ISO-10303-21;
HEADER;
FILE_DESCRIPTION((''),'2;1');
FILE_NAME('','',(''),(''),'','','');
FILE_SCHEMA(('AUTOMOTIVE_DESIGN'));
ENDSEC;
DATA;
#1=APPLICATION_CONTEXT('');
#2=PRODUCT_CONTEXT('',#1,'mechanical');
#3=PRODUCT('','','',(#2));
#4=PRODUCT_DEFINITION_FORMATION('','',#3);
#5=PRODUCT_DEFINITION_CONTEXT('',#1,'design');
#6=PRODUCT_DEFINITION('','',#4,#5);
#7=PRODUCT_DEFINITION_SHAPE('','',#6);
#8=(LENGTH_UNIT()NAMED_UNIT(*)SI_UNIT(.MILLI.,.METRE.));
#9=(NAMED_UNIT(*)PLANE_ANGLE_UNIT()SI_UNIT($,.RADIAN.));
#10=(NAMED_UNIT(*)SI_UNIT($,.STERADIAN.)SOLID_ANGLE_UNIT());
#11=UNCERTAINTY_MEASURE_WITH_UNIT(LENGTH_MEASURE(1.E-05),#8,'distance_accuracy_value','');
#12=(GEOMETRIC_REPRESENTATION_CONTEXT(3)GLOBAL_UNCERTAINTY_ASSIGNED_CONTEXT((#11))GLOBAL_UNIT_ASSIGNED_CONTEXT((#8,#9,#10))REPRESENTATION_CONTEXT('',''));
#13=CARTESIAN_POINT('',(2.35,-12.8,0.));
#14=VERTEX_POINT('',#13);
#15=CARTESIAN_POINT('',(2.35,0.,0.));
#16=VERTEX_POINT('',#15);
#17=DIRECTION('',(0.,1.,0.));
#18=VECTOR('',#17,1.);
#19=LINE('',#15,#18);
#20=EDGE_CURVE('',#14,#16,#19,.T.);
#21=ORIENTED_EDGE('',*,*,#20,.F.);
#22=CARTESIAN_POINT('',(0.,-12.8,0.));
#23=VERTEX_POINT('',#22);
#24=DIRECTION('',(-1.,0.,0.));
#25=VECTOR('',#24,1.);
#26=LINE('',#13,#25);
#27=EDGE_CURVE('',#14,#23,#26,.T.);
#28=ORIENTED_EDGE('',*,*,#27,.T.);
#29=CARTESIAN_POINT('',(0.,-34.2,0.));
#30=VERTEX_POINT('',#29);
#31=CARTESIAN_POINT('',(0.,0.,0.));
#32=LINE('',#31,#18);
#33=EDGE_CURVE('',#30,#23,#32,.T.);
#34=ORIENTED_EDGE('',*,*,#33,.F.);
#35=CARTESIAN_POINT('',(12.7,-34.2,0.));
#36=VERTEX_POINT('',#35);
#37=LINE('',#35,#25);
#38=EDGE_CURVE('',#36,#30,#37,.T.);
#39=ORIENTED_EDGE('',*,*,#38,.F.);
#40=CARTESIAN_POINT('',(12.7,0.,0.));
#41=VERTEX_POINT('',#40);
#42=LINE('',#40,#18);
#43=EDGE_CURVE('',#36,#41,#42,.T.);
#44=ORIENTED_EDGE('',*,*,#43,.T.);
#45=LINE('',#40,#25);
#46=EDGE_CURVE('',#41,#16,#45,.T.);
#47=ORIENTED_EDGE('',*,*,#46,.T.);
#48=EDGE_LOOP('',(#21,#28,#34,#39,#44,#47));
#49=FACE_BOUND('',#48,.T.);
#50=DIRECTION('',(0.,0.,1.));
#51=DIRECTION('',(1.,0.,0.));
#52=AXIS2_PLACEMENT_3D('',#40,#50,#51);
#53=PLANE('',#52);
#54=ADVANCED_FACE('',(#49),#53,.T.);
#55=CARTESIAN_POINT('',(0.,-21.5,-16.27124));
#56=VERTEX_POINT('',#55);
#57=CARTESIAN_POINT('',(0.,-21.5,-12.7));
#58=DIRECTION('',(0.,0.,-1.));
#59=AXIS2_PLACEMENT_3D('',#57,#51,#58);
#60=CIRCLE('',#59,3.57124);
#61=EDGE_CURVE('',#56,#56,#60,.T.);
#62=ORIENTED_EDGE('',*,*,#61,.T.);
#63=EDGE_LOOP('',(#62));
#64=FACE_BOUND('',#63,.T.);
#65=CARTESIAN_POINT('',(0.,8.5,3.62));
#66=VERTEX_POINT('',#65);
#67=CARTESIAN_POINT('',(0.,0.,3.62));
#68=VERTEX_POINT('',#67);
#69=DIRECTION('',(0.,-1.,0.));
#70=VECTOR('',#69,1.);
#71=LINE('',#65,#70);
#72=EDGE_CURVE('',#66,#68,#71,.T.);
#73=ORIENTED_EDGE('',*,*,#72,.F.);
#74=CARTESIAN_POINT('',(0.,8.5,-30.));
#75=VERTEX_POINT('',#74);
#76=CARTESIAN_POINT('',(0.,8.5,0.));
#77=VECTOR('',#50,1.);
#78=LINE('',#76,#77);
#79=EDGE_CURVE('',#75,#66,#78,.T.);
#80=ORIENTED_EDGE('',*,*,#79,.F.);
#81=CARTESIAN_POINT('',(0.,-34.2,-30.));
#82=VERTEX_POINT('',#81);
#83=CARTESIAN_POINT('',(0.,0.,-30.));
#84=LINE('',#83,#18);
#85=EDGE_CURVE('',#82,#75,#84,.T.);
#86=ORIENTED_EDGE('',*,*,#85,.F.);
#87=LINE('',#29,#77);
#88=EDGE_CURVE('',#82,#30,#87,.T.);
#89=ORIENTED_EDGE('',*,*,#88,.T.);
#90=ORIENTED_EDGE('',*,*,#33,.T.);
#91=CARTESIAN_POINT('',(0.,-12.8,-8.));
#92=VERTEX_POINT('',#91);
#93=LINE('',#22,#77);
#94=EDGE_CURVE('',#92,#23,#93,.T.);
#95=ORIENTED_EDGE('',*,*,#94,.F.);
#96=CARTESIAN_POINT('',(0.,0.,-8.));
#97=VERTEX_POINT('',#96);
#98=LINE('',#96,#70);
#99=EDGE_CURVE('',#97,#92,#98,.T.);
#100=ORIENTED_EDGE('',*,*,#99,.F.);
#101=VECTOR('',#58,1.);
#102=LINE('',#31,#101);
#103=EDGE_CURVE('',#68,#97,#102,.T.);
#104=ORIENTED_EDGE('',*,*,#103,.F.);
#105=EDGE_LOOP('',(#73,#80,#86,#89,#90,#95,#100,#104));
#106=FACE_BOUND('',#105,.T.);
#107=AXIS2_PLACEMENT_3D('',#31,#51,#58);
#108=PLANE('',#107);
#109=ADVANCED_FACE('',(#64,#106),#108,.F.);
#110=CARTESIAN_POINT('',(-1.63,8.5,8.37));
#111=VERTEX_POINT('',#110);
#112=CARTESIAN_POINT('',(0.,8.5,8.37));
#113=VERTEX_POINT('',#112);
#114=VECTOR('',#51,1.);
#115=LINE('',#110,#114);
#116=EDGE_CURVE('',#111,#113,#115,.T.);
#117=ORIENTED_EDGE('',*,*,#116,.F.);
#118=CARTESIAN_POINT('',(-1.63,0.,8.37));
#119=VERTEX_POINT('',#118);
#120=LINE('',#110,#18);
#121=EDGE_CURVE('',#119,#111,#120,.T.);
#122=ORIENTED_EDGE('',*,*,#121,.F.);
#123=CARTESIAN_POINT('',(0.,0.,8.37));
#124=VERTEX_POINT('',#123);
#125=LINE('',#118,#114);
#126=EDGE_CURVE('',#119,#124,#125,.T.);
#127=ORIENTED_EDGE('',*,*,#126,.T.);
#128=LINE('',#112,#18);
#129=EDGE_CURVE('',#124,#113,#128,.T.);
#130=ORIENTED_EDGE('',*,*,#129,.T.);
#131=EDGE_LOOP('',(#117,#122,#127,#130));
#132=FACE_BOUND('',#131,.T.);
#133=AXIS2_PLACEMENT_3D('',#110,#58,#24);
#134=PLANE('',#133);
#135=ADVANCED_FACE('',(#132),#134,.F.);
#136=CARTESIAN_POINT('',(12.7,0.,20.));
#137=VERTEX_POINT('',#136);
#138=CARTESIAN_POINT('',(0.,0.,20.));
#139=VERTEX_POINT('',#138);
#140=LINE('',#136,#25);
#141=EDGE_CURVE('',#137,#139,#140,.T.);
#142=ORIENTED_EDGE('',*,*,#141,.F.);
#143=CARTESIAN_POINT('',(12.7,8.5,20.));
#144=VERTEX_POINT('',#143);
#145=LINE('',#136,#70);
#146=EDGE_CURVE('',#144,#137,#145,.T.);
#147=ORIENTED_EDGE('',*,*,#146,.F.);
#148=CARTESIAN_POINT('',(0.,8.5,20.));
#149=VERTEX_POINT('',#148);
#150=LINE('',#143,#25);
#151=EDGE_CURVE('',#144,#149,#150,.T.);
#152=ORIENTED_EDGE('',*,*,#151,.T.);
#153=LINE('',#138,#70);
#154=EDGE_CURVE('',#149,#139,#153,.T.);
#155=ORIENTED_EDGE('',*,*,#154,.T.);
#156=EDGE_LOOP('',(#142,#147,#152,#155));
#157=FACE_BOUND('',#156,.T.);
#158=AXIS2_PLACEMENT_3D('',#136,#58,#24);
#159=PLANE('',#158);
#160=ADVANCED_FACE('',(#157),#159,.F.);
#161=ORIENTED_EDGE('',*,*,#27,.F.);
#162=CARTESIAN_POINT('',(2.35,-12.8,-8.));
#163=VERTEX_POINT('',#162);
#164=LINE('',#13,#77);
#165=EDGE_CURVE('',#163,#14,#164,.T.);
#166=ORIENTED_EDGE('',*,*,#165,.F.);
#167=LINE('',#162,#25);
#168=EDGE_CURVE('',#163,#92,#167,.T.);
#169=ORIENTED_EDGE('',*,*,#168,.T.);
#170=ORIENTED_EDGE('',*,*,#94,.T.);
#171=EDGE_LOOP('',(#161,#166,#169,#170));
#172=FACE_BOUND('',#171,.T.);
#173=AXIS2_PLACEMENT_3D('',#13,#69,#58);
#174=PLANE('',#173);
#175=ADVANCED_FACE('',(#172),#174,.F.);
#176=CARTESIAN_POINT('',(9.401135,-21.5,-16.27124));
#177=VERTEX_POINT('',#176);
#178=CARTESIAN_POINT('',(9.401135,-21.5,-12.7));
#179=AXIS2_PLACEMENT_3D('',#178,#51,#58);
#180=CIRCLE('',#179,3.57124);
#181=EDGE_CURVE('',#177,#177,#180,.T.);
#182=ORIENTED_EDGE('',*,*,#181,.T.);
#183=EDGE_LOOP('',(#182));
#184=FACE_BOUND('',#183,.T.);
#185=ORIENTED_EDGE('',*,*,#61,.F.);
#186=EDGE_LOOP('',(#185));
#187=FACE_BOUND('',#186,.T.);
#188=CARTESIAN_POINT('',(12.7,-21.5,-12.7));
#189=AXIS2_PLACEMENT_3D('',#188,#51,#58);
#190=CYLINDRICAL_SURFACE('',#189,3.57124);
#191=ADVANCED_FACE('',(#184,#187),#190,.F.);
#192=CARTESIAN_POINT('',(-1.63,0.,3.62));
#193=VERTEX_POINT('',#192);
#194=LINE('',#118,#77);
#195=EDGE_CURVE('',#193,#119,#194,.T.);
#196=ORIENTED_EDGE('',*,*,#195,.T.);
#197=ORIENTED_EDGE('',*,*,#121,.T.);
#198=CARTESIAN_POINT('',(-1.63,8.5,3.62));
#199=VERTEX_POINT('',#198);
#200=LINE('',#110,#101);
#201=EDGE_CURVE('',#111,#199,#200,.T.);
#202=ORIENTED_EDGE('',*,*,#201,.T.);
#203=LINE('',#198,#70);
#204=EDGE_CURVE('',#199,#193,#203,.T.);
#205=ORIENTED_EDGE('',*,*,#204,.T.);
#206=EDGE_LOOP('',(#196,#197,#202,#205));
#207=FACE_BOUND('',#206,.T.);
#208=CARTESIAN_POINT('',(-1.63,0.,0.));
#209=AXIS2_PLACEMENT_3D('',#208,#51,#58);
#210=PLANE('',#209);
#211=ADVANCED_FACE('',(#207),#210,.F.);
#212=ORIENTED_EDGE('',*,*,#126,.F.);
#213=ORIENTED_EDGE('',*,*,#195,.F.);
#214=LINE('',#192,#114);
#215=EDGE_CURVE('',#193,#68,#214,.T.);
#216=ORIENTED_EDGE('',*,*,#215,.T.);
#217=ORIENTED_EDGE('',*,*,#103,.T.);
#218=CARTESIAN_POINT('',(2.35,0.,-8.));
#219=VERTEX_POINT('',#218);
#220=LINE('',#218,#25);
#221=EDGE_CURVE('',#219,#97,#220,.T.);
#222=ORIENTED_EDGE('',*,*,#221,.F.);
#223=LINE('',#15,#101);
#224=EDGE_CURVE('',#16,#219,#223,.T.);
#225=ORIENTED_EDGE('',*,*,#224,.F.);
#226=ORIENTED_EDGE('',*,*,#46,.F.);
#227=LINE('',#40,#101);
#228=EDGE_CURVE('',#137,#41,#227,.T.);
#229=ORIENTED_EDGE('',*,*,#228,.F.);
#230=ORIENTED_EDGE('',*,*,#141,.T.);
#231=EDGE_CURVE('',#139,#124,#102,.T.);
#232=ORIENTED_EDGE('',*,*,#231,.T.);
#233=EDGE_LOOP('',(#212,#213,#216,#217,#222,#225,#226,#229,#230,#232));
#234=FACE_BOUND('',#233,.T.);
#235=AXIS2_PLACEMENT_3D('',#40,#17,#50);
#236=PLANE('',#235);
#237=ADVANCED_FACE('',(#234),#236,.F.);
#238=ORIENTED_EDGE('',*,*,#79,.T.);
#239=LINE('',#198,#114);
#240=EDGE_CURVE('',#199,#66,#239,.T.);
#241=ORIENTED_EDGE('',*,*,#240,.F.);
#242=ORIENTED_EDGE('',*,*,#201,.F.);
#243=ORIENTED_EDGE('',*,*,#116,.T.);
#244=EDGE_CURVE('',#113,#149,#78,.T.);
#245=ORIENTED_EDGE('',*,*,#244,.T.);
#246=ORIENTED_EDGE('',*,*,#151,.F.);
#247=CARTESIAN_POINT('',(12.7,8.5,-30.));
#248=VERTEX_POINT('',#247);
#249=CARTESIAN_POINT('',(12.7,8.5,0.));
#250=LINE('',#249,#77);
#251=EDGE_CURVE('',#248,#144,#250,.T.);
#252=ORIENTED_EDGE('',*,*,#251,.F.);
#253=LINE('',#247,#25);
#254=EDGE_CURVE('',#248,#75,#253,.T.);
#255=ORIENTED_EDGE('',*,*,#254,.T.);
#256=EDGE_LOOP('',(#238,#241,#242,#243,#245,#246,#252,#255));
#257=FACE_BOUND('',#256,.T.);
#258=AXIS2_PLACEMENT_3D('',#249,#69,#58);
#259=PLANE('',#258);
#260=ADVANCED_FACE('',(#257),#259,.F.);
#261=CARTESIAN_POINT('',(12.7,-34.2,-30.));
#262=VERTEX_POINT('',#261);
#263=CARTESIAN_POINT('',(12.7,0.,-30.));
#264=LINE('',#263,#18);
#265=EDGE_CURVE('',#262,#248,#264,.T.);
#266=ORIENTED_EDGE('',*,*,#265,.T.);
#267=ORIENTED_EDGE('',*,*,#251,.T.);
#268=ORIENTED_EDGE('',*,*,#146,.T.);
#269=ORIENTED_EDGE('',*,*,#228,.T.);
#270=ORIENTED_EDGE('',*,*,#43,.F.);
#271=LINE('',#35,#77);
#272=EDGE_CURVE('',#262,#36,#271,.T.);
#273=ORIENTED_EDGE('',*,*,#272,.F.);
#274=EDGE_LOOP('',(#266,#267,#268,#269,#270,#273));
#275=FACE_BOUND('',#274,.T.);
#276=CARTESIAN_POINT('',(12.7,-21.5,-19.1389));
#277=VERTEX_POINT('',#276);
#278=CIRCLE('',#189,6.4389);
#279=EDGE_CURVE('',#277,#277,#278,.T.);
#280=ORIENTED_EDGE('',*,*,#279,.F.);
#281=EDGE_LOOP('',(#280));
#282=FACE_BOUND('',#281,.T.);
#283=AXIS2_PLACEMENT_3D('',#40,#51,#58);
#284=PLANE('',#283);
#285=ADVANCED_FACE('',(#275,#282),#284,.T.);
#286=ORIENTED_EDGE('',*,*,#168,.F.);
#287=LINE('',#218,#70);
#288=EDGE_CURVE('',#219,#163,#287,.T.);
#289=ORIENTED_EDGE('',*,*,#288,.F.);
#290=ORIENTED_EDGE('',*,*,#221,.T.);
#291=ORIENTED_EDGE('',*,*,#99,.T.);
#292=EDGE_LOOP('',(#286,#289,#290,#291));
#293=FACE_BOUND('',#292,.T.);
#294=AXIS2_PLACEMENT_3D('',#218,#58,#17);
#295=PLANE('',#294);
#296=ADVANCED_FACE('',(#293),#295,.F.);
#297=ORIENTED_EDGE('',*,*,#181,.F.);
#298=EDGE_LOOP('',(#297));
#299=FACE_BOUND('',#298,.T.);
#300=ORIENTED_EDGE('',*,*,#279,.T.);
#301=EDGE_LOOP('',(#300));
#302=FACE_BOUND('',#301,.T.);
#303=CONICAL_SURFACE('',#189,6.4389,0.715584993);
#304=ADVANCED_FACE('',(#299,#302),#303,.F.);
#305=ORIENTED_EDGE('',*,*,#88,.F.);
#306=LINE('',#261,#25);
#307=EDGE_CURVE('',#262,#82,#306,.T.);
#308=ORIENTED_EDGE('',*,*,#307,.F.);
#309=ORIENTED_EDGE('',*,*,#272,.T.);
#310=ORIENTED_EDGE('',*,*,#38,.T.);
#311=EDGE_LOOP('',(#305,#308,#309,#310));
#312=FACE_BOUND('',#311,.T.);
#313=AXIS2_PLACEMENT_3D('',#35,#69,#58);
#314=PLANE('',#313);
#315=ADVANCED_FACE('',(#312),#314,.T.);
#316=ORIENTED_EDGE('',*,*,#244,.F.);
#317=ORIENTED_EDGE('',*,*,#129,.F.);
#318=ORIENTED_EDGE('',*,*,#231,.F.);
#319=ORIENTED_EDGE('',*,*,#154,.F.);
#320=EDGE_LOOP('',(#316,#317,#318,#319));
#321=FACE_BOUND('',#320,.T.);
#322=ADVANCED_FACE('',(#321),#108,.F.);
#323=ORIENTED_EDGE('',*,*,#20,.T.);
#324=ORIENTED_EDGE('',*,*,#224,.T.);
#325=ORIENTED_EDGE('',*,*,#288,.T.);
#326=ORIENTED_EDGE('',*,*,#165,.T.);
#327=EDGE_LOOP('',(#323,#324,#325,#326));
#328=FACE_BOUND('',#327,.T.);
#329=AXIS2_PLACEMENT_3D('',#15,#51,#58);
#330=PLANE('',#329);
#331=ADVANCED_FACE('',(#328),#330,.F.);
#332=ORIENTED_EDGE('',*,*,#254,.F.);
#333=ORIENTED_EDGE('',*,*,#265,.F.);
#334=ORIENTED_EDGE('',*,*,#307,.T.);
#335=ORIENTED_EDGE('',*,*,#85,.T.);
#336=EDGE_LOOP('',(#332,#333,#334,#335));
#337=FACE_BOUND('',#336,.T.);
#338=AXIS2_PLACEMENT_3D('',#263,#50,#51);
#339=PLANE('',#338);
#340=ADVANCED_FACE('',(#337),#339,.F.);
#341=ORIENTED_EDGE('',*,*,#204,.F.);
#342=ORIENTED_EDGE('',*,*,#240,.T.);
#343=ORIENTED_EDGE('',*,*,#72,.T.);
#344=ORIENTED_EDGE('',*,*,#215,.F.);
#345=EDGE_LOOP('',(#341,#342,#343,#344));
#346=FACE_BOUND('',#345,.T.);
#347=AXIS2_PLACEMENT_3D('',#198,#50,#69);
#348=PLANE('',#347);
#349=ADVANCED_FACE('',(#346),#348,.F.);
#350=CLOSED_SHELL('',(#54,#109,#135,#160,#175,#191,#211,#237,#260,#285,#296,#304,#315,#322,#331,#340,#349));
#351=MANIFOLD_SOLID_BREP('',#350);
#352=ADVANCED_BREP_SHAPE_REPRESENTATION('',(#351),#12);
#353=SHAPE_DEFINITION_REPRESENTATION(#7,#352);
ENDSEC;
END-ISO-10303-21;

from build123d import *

# Parameters (mm, degrees)
SKETCH1_W                                        = 30
SKETCH1_H                                        = 42.7
SKETCH1_R                                        = 3.175
SKETCH1_W_2                                      = 20
SKETCH1_H_2                                      = 8.5
BOSS_EXTRUDE1_DEPTH                              = 12.7
CSK_FOR_1_4_FLAT_HEAD_MACHINE_SCREW1_D           = 7.14248
CSK_FOR_1_4_FLAT_HEAD_MACHINE_SCREW1_CSINK_D     = 12.8778
CSK_FOR_1_4_FLAT_HEAD_MACHINE_SCREW1_CSINK_ANGLE = 82
SKETCH3_W                                        = 8
SKETCH3_H                                        = 12.8
CUT_EXTRUDE1_DEPTH                               = 2.35
SKETCH4_W                                        = 4.75
SKETCH4_H                                        = 8.5
BOSS_EXTRUDE2_DEPTH                              = 1.63


with BuildPart() as part:
    # Sketch1 → Boss-Extrude1 (new body)
    with BuildSketch(Plane(origin=(0, 0, 0), x_dir=(0, 0, -1), z_dir=(1, 0, 0))):
        with Locations((15, -12.85)):
            Rectangle(SKETCH1_W, SKETCH1_H)
        with Locations((12.7, -21.5)):
            Circle(SKETCH1_R, mode=Mode.SUBTRACT)
        with Locations((-10, 4.25)):
            Rectangle(SKETCH1_W_2, SKETCH1_H_2)
    extrude(amount=BOSS_EXTRUDE1_DEPTH)

    # CSK for 1/4 Flat Head Machine Screw1 (through all)
    with Locations(Plane(origin=(12.7, -21.5, -12.7), x_dir=(0, 0, 1), z_dir=(1, 0, 0))):
        with Locations((0, 0)):
            CounterSinkHole(CSK_FOR_1_4_FLAT_HEAD_MACHINE_SCREW1_D / 2, CSK_FOR_1_4_FLAT_HEAD_MACHINE_SCREW1_CSINK_D / 2, counter_sink_angle=CSK_FOR_1_4_FLAT_HEAD_MACHINE_SCREW1_CSINK_ANGLE)

    # Sketch3 → Cut-Extrude1 (cut)
    with BuildSketch(Plane.ZY):
        with Locations((-4, -6.4)):
            Rectangle(SKETCH3_W, SKETCH3_H)
    extrude(amount=-CUT_EXTRUDE1_DEPTH, mode=Mode.SUBTRACT)

    # Sketch4 → Boss-Extrude2 (add)
    with BuildSketch(Plane.ZY):
        with Locations((5.995, 4.25)):
            Rectangle(SKETCH4_W, SKETCH4_H)
    extrude(amount=BOSS_EXTRUDE2_DEPTH)


solid = part.part
